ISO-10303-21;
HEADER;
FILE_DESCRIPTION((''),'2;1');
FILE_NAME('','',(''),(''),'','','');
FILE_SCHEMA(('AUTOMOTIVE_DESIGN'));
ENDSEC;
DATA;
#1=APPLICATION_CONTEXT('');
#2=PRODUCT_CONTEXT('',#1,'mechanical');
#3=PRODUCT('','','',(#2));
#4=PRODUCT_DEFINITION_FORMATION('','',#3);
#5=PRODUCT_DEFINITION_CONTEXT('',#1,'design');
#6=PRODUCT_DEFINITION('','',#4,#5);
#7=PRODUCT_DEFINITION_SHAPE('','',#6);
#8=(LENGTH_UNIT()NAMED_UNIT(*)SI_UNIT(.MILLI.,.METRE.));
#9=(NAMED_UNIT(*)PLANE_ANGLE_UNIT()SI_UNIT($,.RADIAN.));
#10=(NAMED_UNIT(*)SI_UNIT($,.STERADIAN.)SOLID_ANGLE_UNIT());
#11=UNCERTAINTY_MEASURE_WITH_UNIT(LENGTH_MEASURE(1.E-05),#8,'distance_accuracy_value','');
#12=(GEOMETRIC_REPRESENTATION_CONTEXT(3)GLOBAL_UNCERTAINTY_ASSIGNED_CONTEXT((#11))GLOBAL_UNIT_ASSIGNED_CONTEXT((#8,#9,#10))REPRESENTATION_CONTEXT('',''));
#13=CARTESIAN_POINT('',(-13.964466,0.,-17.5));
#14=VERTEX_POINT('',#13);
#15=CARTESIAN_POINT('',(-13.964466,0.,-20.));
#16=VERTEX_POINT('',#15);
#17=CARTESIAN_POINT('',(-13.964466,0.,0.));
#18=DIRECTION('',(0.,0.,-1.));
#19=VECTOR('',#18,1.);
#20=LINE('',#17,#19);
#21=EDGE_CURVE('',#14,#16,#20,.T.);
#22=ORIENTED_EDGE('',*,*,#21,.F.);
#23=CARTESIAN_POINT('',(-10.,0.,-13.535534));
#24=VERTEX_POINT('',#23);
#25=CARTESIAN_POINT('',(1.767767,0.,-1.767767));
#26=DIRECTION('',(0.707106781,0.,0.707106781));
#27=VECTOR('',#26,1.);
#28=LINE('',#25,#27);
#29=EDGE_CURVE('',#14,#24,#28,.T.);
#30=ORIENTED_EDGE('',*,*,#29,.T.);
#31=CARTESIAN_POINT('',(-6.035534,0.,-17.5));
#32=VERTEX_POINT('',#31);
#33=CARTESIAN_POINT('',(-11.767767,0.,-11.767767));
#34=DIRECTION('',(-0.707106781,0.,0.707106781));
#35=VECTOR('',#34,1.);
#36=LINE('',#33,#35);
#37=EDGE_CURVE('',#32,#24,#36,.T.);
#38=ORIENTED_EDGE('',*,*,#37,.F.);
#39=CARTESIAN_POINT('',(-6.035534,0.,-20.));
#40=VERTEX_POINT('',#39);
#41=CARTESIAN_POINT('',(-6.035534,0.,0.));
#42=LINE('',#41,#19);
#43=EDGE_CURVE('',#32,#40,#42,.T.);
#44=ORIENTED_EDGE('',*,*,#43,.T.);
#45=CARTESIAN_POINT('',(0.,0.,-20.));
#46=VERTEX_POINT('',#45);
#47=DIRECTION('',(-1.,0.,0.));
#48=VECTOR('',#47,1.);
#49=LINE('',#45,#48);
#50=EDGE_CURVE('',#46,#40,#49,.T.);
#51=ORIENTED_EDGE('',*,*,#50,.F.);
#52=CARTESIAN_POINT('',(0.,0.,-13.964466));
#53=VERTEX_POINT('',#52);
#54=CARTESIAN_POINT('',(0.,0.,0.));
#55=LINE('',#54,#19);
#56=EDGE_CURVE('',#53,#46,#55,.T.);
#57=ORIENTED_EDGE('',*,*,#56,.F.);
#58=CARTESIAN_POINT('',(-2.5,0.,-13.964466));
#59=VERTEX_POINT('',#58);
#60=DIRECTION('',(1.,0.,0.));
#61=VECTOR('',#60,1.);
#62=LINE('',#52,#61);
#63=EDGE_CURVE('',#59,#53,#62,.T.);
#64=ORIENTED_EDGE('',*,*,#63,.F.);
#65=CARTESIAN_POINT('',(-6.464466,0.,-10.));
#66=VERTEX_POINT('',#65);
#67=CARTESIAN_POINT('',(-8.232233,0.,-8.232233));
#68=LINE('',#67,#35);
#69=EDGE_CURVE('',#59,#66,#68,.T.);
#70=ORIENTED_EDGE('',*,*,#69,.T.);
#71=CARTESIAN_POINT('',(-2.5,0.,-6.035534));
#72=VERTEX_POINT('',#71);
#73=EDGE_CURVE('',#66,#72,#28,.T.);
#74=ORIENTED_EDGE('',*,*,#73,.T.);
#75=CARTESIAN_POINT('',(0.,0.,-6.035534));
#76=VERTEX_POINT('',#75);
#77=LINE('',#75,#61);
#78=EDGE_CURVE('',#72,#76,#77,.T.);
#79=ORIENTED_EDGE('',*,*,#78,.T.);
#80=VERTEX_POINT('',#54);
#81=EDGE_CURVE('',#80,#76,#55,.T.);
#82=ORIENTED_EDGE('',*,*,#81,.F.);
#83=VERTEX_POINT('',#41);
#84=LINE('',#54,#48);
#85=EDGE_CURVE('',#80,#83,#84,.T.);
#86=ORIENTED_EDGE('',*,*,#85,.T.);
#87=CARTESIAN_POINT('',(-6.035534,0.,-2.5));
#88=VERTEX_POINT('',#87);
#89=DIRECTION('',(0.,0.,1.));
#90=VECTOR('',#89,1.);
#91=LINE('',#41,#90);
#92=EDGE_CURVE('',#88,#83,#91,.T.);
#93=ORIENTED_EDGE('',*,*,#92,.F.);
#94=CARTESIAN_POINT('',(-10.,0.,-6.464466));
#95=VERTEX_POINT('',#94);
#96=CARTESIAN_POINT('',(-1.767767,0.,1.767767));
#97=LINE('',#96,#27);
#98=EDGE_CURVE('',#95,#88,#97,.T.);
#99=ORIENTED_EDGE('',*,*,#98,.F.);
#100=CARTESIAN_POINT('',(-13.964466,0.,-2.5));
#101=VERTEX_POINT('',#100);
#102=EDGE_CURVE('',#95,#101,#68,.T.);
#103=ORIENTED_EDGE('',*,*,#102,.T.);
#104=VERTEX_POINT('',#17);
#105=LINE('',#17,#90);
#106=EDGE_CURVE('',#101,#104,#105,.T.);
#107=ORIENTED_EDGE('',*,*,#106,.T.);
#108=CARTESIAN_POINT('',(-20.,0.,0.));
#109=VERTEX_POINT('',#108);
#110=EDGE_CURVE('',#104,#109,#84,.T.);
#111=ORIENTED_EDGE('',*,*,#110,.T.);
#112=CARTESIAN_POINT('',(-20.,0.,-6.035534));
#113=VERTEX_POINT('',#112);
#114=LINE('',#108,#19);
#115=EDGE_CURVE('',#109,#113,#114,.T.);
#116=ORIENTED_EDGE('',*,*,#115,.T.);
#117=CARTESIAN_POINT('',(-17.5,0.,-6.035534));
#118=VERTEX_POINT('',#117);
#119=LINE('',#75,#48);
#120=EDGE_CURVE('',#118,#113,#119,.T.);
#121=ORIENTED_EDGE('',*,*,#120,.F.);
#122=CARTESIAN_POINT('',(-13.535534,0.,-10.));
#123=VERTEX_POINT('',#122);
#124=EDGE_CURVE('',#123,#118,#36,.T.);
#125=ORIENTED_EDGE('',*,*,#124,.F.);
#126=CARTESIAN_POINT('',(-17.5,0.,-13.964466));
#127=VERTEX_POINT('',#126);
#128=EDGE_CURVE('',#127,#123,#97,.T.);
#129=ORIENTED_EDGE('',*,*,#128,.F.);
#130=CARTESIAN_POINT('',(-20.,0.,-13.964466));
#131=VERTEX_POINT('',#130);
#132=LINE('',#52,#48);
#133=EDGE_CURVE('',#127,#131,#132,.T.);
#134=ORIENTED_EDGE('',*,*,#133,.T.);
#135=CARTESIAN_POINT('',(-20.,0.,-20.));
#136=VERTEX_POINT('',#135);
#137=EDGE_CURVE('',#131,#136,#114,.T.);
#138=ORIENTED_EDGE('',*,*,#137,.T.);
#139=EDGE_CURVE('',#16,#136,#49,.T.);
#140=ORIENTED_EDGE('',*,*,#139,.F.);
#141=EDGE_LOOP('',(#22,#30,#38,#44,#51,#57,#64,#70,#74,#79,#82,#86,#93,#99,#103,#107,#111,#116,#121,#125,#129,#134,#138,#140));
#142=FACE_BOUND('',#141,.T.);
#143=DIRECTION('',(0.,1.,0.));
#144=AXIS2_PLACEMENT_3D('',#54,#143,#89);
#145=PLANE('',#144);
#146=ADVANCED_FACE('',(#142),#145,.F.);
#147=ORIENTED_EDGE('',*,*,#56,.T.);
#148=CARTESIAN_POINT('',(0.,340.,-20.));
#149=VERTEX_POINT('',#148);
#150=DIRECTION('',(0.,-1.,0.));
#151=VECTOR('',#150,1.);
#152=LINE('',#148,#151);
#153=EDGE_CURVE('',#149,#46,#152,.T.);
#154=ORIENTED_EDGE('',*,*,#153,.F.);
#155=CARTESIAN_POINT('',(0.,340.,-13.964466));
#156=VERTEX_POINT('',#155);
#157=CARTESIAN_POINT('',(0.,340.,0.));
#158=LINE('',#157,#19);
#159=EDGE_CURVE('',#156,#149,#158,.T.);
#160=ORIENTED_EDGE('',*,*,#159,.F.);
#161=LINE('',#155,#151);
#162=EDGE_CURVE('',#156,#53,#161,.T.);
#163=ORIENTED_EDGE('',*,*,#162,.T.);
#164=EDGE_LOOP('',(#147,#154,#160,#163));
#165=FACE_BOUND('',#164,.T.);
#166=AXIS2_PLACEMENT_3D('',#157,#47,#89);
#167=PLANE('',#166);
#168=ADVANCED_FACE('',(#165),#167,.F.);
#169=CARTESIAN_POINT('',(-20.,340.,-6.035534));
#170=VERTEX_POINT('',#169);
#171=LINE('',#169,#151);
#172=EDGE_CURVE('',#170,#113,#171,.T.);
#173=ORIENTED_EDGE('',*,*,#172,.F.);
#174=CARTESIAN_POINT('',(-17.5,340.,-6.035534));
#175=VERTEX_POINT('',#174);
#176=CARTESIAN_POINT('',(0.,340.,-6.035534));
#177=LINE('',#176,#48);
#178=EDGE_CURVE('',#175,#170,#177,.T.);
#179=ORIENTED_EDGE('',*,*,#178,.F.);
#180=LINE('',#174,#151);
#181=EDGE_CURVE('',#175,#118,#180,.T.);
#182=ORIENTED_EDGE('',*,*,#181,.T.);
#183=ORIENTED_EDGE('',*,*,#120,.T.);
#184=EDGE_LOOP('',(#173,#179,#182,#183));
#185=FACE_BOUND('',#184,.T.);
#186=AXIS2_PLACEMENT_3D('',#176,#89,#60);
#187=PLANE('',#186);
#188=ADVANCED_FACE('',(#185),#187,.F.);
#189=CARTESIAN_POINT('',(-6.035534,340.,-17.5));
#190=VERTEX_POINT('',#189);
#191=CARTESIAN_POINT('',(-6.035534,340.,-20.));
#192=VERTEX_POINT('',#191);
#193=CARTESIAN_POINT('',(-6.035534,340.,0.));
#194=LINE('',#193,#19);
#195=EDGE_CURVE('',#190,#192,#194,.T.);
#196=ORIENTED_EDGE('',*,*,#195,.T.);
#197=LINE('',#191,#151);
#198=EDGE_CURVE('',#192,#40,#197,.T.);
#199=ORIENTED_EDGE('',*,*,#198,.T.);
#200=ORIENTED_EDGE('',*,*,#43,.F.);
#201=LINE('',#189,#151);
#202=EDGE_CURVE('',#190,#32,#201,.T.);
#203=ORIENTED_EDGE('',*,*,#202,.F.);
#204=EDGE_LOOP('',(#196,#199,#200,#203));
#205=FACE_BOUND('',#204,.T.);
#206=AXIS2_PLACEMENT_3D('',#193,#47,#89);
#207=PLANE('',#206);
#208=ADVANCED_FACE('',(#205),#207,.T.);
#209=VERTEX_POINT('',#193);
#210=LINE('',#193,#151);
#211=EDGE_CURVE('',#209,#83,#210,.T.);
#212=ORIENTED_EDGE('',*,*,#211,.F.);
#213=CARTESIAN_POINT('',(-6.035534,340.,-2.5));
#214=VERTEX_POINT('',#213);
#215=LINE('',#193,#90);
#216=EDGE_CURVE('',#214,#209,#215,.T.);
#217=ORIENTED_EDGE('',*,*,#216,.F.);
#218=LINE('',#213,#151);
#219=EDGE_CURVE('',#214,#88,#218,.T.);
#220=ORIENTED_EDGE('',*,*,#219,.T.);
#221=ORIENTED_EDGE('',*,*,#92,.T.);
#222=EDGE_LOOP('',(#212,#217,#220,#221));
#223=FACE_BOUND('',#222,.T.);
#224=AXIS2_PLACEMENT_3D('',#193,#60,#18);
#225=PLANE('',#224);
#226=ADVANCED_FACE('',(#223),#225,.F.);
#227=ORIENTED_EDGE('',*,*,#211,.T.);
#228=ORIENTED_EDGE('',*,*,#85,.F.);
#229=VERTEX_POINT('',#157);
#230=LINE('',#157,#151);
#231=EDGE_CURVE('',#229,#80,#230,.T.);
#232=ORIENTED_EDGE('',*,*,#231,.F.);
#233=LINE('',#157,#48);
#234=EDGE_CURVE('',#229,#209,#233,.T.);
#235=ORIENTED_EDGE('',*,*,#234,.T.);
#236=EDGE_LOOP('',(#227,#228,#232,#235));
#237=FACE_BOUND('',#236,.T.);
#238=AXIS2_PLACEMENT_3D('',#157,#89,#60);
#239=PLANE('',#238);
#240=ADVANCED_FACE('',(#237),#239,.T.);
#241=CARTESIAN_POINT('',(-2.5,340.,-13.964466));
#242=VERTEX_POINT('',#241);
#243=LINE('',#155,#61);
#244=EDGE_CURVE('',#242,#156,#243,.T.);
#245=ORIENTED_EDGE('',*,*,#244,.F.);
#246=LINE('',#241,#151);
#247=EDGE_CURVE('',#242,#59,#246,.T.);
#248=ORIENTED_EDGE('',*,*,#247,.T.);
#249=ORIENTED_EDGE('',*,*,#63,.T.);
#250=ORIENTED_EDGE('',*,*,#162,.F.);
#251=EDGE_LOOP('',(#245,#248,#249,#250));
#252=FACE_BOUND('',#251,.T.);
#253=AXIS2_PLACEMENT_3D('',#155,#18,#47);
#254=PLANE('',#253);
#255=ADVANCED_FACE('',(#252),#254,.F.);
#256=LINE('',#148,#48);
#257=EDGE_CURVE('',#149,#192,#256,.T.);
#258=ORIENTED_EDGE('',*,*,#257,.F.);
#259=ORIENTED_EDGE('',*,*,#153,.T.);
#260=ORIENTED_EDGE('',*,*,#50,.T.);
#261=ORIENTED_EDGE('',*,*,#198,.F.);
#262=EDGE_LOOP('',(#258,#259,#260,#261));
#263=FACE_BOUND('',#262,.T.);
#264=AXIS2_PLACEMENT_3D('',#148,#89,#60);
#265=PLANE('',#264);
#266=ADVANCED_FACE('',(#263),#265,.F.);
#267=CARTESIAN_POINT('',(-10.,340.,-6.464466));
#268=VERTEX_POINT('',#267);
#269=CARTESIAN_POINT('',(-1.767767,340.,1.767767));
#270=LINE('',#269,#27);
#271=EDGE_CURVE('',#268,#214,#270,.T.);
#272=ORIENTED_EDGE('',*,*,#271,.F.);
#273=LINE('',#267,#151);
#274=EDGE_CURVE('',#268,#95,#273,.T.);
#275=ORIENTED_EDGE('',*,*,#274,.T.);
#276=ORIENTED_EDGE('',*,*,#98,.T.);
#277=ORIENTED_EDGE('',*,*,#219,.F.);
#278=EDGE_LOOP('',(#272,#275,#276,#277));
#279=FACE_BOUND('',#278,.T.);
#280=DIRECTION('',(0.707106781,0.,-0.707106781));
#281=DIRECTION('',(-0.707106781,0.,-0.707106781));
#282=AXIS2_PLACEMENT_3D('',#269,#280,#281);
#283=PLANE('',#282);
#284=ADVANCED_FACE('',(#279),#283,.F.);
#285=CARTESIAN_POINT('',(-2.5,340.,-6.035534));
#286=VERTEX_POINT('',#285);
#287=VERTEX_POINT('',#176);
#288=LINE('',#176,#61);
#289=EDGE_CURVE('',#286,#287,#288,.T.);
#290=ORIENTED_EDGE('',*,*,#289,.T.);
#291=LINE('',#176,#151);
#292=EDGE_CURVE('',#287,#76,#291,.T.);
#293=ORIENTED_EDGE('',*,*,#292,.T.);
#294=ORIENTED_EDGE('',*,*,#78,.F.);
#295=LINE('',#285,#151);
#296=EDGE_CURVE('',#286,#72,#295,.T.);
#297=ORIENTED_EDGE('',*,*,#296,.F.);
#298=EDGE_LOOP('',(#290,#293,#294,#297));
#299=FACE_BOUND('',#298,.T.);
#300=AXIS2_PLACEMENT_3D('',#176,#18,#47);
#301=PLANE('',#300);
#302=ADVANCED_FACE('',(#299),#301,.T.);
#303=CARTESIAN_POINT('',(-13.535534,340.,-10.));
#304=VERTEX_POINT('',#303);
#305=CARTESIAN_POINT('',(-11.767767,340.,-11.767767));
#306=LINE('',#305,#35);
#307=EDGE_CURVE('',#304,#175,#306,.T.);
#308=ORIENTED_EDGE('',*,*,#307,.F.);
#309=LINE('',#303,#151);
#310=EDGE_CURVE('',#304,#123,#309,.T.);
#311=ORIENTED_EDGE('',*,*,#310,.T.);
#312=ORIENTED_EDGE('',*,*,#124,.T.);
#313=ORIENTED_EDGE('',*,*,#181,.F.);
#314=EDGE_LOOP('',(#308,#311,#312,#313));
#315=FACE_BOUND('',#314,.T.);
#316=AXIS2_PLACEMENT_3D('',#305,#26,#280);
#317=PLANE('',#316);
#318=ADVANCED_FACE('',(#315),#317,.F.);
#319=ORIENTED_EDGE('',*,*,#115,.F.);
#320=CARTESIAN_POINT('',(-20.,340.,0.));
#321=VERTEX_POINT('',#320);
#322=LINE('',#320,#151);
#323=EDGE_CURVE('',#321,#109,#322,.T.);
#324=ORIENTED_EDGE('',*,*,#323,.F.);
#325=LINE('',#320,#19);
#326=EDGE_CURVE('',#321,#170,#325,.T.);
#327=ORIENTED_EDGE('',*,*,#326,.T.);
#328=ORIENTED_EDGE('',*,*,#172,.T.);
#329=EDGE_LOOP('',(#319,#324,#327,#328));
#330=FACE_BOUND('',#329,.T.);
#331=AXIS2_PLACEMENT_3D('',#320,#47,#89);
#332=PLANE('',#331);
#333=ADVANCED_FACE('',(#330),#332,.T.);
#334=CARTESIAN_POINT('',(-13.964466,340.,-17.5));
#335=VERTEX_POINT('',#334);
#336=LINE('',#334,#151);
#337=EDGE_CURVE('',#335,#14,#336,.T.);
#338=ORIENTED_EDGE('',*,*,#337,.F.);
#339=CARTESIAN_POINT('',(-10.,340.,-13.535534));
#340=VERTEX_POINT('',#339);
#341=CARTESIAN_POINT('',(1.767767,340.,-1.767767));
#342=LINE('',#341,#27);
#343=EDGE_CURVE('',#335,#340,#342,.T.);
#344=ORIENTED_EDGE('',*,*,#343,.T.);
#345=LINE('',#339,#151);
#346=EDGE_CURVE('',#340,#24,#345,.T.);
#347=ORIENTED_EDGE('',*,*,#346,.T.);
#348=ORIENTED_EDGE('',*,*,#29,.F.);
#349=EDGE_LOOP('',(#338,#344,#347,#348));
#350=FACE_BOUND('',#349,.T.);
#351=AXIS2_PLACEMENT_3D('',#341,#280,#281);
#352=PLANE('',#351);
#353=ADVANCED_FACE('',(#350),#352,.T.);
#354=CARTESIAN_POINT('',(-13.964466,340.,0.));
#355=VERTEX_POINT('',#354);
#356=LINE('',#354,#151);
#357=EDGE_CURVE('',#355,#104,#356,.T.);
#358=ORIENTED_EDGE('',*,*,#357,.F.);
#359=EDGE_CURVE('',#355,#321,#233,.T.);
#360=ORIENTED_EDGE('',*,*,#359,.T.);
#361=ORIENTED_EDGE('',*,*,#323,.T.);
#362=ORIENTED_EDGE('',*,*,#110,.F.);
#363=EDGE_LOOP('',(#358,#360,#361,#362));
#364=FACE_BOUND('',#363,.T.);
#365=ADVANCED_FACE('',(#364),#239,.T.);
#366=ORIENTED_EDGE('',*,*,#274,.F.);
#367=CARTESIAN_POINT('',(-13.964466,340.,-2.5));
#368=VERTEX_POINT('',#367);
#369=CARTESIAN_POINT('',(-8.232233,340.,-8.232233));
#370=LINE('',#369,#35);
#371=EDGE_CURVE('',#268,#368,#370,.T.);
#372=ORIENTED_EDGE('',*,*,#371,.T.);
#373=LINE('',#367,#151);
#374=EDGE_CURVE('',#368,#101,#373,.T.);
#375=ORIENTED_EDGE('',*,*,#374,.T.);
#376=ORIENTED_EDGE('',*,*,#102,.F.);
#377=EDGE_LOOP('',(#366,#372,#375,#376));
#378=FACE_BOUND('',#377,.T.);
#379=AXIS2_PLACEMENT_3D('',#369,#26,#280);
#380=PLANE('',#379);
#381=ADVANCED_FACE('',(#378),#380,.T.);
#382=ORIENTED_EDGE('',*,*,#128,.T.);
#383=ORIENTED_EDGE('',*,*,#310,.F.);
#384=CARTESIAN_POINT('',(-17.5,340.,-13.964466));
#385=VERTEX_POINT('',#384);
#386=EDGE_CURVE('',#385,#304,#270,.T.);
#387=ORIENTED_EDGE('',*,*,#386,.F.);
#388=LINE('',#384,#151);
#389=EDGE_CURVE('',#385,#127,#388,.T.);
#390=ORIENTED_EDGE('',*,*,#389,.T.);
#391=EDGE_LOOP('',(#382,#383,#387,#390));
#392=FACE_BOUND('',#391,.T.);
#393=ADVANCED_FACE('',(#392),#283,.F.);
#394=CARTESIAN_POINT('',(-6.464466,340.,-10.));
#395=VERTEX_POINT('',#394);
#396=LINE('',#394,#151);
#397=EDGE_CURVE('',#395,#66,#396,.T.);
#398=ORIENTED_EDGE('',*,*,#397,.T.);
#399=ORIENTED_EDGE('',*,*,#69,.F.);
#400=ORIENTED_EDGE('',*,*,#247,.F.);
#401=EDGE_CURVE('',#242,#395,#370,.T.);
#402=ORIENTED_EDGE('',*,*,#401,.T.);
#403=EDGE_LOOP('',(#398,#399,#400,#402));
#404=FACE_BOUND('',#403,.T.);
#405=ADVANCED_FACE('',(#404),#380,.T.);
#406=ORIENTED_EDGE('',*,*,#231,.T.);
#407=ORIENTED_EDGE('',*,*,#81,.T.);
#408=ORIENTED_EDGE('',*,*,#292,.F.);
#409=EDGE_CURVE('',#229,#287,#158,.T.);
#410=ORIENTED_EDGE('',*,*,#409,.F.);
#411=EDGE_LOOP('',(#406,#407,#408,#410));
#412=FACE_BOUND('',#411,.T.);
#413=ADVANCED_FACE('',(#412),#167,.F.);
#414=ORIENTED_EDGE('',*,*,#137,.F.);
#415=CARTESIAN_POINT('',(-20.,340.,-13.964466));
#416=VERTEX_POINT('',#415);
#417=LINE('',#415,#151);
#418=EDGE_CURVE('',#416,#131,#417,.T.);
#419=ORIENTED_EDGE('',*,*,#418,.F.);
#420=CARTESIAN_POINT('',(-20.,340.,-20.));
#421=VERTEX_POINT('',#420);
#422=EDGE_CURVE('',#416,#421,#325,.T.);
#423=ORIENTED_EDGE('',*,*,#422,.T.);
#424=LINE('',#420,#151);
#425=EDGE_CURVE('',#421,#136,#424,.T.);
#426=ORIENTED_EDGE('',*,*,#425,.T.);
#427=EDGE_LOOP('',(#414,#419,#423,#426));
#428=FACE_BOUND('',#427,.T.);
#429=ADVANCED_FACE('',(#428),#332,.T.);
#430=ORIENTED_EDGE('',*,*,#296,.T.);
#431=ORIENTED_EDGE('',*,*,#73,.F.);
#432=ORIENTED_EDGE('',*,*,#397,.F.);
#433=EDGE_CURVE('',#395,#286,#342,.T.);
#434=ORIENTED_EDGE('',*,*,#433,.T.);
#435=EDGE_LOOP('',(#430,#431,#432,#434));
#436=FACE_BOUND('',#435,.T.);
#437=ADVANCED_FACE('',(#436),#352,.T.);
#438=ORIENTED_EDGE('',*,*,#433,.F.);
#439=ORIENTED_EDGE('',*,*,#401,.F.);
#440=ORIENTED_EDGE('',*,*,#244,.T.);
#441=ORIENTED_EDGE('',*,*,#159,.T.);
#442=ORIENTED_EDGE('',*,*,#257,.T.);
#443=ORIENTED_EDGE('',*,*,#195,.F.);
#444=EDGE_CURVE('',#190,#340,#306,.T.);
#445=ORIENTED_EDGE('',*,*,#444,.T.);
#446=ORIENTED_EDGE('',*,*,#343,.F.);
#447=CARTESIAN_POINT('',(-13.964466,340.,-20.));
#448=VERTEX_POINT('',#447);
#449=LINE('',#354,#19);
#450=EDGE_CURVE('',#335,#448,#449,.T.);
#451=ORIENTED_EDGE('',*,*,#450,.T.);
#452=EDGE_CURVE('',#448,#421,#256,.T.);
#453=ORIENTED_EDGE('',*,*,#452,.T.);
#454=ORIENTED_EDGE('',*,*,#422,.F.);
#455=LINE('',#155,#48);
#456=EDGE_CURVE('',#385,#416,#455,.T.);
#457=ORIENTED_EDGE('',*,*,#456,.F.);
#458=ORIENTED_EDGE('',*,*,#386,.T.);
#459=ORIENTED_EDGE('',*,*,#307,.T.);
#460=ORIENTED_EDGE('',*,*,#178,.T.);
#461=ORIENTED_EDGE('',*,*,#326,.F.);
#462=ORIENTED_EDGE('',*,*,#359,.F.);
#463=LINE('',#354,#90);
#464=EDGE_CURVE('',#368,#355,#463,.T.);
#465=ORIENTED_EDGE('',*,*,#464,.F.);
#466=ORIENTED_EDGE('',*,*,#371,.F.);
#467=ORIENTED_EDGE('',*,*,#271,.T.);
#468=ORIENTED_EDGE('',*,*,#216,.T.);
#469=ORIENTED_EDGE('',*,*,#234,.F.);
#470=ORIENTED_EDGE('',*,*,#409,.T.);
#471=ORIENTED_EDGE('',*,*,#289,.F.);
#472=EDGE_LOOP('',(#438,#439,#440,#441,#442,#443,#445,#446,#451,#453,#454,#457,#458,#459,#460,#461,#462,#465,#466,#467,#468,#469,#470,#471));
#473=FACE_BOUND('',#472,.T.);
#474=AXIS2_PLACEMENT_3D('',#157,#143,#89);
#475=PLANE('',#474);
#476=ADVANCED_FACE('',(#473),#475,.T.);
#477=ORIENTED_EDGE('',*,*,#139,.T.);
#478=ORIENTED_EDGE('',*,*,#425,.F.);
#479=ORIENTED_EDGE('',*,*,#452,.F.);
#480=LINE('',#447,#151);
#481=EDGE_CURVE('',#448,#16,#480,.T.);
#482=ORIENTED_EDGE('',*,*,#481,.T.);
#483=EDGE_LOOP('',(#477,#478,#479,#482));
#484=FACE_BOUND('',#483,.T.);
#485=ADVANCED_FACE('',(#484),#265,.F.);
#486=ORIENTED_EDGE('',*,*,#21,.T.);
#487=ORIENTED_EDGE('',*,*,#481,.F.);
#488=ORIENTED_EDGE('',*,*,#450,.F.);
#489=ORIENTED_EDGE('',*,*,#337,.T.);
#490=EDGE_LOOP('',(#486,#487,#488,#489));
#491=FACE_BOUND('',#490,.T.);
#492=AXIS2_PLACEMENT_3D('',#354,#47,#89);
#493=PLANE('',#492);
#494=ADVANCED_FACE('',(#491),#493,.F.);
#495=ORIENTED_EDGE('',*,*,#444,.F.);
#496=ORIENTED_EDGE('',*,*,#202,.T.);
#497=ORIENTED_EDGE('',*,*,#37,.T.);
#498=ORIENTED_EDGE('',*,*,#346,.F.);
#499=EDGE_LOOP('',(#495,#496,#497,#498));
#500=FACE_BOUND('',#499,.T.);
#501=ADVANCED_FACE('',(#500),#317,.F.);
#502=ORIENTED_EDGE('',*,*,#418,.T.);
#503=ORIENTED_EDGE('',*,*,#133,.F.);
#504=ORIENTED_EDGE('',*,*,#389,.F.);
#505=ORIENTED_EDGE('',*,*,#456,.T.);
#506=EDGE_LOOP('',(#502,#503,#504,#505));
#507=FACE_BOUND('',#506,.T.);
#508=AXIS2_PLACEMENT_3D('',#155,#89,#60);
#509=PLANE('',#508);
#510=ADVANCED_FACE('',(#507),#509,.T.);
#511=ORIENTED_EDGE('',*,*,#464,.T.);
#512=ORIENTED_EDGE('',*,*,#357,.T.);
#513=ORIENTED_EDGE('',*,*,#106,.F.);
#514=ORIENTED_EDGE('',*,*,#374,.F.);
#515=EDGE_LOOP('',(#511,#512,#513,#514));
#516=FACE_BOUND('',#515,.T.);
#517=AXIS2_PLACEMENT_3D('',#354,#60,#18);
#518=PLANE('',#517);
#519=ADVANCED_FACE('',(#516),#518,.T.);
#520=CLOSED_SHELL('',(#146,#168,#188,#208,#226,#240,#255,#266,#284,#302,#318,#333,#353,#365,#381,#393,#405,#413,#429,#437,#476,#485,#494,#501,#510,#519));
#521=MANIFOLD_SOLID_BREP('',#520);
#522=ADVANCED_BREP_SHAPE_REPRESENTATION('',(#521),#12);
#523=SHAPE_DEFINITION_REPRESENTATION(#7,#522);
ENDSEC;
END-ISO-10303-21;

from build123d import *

# Parameters (mm, degrees)
BOSS_EXTRU_1_DEPTH = 340


with BuildPart() as part:
    # Esquisse1 → Boss.-Extru.1 (new body)
    with BuildSketch(Plane(origin=(0, 0, 0), x_dir=(1, 0, 0), z_dir=(0, 1, 0))):
        Polygon((-3.535533906, 0), (-6.035533906, 2.5), (-6.035533906, 0), align=None)
        Polygon((0, 3.535533906), (-2.5, 6.035533906), (-2.5, 2.5), (-6.035533906, 2.5), (-3.535533906, 0), (0, 0), align=None)
        Polygon((0, 6.035533906), (-2.5, 6.035533906), (0, 3.535533906), align=None)
        Polygon((-2.5, 2.5), (-2.5, 6.035533906), (-6.464466094, 10), (-10, 6.464466094), (-6.035533906, 2.5), align=None)
        Polygon((-13.964466094, 0), (-13.964466094, 2.5), (-16.464466094, 0), align=None)
        Polygon((-17.5, 2.5), (-17.5, 6.035533906), (-20, 3.535533906), (-20, 0), (-16.464466094, 0), (-13.964466094, 2.5), align=None)
        Polygon((-20, 3.535533906), (-17.5, 6.035533906), (-20, 6.035533906), align=None)
        Polygon((-10, 6.464466094), (-13.535533906, 10), (-17.5, 6.035533906), (-17.5, 2.5), (-13.964466094, 2.5), align=None)
        Polygon((-6.464466094, 10), (-10, 13.535533906), (-13.535533906, 10), (-10, 6.464466094), align=None)
        Polygon((-2.5, 13.964466094), (-2.5, 17.5), (-6.035533906, 17.5), (-10, 13.535533906), (-6.464466094, 10), align=None)
        Polygon((-6.035533906, 17.5), (-2.5, 17.5), (-2.5, 13.964466094), (0, 16.464466094), (0, 20), (-3.535533906, 20), align=None)
        Polygon((0, 16.464466094), (-2.5, 13.964466094), (0, 13.964466094), align=None)
        Polygon((-6.035533906, 20), (-6.035533906, 17.5), (-3.535533906, 20), align=None)
        Polygon((-16.464466094, 20), (-13.964466094, 17.5), (-13.964466094, 20), align=None)
        Polygon((-17.5, 17.5), (-13.964466094, 17.5), (-16.464466094, 20), (-20, 20), (-20, 16.464466094), (-17.5, 13.964466094), align=None)
        Polygon((-20, 13.964466094), (-17.5, 13.964466094), (-20, 16.464466094), align=None)
        Polygon((-10, 13.535533906), (-13.964466094, 17.5), (-17.5, 17.5), (-17.5, 13.964466094), (-13.535533906, 10), align=None)
    extrude(amount=BOSS_EXTRU_1_DEPTH)


solid = part.part
